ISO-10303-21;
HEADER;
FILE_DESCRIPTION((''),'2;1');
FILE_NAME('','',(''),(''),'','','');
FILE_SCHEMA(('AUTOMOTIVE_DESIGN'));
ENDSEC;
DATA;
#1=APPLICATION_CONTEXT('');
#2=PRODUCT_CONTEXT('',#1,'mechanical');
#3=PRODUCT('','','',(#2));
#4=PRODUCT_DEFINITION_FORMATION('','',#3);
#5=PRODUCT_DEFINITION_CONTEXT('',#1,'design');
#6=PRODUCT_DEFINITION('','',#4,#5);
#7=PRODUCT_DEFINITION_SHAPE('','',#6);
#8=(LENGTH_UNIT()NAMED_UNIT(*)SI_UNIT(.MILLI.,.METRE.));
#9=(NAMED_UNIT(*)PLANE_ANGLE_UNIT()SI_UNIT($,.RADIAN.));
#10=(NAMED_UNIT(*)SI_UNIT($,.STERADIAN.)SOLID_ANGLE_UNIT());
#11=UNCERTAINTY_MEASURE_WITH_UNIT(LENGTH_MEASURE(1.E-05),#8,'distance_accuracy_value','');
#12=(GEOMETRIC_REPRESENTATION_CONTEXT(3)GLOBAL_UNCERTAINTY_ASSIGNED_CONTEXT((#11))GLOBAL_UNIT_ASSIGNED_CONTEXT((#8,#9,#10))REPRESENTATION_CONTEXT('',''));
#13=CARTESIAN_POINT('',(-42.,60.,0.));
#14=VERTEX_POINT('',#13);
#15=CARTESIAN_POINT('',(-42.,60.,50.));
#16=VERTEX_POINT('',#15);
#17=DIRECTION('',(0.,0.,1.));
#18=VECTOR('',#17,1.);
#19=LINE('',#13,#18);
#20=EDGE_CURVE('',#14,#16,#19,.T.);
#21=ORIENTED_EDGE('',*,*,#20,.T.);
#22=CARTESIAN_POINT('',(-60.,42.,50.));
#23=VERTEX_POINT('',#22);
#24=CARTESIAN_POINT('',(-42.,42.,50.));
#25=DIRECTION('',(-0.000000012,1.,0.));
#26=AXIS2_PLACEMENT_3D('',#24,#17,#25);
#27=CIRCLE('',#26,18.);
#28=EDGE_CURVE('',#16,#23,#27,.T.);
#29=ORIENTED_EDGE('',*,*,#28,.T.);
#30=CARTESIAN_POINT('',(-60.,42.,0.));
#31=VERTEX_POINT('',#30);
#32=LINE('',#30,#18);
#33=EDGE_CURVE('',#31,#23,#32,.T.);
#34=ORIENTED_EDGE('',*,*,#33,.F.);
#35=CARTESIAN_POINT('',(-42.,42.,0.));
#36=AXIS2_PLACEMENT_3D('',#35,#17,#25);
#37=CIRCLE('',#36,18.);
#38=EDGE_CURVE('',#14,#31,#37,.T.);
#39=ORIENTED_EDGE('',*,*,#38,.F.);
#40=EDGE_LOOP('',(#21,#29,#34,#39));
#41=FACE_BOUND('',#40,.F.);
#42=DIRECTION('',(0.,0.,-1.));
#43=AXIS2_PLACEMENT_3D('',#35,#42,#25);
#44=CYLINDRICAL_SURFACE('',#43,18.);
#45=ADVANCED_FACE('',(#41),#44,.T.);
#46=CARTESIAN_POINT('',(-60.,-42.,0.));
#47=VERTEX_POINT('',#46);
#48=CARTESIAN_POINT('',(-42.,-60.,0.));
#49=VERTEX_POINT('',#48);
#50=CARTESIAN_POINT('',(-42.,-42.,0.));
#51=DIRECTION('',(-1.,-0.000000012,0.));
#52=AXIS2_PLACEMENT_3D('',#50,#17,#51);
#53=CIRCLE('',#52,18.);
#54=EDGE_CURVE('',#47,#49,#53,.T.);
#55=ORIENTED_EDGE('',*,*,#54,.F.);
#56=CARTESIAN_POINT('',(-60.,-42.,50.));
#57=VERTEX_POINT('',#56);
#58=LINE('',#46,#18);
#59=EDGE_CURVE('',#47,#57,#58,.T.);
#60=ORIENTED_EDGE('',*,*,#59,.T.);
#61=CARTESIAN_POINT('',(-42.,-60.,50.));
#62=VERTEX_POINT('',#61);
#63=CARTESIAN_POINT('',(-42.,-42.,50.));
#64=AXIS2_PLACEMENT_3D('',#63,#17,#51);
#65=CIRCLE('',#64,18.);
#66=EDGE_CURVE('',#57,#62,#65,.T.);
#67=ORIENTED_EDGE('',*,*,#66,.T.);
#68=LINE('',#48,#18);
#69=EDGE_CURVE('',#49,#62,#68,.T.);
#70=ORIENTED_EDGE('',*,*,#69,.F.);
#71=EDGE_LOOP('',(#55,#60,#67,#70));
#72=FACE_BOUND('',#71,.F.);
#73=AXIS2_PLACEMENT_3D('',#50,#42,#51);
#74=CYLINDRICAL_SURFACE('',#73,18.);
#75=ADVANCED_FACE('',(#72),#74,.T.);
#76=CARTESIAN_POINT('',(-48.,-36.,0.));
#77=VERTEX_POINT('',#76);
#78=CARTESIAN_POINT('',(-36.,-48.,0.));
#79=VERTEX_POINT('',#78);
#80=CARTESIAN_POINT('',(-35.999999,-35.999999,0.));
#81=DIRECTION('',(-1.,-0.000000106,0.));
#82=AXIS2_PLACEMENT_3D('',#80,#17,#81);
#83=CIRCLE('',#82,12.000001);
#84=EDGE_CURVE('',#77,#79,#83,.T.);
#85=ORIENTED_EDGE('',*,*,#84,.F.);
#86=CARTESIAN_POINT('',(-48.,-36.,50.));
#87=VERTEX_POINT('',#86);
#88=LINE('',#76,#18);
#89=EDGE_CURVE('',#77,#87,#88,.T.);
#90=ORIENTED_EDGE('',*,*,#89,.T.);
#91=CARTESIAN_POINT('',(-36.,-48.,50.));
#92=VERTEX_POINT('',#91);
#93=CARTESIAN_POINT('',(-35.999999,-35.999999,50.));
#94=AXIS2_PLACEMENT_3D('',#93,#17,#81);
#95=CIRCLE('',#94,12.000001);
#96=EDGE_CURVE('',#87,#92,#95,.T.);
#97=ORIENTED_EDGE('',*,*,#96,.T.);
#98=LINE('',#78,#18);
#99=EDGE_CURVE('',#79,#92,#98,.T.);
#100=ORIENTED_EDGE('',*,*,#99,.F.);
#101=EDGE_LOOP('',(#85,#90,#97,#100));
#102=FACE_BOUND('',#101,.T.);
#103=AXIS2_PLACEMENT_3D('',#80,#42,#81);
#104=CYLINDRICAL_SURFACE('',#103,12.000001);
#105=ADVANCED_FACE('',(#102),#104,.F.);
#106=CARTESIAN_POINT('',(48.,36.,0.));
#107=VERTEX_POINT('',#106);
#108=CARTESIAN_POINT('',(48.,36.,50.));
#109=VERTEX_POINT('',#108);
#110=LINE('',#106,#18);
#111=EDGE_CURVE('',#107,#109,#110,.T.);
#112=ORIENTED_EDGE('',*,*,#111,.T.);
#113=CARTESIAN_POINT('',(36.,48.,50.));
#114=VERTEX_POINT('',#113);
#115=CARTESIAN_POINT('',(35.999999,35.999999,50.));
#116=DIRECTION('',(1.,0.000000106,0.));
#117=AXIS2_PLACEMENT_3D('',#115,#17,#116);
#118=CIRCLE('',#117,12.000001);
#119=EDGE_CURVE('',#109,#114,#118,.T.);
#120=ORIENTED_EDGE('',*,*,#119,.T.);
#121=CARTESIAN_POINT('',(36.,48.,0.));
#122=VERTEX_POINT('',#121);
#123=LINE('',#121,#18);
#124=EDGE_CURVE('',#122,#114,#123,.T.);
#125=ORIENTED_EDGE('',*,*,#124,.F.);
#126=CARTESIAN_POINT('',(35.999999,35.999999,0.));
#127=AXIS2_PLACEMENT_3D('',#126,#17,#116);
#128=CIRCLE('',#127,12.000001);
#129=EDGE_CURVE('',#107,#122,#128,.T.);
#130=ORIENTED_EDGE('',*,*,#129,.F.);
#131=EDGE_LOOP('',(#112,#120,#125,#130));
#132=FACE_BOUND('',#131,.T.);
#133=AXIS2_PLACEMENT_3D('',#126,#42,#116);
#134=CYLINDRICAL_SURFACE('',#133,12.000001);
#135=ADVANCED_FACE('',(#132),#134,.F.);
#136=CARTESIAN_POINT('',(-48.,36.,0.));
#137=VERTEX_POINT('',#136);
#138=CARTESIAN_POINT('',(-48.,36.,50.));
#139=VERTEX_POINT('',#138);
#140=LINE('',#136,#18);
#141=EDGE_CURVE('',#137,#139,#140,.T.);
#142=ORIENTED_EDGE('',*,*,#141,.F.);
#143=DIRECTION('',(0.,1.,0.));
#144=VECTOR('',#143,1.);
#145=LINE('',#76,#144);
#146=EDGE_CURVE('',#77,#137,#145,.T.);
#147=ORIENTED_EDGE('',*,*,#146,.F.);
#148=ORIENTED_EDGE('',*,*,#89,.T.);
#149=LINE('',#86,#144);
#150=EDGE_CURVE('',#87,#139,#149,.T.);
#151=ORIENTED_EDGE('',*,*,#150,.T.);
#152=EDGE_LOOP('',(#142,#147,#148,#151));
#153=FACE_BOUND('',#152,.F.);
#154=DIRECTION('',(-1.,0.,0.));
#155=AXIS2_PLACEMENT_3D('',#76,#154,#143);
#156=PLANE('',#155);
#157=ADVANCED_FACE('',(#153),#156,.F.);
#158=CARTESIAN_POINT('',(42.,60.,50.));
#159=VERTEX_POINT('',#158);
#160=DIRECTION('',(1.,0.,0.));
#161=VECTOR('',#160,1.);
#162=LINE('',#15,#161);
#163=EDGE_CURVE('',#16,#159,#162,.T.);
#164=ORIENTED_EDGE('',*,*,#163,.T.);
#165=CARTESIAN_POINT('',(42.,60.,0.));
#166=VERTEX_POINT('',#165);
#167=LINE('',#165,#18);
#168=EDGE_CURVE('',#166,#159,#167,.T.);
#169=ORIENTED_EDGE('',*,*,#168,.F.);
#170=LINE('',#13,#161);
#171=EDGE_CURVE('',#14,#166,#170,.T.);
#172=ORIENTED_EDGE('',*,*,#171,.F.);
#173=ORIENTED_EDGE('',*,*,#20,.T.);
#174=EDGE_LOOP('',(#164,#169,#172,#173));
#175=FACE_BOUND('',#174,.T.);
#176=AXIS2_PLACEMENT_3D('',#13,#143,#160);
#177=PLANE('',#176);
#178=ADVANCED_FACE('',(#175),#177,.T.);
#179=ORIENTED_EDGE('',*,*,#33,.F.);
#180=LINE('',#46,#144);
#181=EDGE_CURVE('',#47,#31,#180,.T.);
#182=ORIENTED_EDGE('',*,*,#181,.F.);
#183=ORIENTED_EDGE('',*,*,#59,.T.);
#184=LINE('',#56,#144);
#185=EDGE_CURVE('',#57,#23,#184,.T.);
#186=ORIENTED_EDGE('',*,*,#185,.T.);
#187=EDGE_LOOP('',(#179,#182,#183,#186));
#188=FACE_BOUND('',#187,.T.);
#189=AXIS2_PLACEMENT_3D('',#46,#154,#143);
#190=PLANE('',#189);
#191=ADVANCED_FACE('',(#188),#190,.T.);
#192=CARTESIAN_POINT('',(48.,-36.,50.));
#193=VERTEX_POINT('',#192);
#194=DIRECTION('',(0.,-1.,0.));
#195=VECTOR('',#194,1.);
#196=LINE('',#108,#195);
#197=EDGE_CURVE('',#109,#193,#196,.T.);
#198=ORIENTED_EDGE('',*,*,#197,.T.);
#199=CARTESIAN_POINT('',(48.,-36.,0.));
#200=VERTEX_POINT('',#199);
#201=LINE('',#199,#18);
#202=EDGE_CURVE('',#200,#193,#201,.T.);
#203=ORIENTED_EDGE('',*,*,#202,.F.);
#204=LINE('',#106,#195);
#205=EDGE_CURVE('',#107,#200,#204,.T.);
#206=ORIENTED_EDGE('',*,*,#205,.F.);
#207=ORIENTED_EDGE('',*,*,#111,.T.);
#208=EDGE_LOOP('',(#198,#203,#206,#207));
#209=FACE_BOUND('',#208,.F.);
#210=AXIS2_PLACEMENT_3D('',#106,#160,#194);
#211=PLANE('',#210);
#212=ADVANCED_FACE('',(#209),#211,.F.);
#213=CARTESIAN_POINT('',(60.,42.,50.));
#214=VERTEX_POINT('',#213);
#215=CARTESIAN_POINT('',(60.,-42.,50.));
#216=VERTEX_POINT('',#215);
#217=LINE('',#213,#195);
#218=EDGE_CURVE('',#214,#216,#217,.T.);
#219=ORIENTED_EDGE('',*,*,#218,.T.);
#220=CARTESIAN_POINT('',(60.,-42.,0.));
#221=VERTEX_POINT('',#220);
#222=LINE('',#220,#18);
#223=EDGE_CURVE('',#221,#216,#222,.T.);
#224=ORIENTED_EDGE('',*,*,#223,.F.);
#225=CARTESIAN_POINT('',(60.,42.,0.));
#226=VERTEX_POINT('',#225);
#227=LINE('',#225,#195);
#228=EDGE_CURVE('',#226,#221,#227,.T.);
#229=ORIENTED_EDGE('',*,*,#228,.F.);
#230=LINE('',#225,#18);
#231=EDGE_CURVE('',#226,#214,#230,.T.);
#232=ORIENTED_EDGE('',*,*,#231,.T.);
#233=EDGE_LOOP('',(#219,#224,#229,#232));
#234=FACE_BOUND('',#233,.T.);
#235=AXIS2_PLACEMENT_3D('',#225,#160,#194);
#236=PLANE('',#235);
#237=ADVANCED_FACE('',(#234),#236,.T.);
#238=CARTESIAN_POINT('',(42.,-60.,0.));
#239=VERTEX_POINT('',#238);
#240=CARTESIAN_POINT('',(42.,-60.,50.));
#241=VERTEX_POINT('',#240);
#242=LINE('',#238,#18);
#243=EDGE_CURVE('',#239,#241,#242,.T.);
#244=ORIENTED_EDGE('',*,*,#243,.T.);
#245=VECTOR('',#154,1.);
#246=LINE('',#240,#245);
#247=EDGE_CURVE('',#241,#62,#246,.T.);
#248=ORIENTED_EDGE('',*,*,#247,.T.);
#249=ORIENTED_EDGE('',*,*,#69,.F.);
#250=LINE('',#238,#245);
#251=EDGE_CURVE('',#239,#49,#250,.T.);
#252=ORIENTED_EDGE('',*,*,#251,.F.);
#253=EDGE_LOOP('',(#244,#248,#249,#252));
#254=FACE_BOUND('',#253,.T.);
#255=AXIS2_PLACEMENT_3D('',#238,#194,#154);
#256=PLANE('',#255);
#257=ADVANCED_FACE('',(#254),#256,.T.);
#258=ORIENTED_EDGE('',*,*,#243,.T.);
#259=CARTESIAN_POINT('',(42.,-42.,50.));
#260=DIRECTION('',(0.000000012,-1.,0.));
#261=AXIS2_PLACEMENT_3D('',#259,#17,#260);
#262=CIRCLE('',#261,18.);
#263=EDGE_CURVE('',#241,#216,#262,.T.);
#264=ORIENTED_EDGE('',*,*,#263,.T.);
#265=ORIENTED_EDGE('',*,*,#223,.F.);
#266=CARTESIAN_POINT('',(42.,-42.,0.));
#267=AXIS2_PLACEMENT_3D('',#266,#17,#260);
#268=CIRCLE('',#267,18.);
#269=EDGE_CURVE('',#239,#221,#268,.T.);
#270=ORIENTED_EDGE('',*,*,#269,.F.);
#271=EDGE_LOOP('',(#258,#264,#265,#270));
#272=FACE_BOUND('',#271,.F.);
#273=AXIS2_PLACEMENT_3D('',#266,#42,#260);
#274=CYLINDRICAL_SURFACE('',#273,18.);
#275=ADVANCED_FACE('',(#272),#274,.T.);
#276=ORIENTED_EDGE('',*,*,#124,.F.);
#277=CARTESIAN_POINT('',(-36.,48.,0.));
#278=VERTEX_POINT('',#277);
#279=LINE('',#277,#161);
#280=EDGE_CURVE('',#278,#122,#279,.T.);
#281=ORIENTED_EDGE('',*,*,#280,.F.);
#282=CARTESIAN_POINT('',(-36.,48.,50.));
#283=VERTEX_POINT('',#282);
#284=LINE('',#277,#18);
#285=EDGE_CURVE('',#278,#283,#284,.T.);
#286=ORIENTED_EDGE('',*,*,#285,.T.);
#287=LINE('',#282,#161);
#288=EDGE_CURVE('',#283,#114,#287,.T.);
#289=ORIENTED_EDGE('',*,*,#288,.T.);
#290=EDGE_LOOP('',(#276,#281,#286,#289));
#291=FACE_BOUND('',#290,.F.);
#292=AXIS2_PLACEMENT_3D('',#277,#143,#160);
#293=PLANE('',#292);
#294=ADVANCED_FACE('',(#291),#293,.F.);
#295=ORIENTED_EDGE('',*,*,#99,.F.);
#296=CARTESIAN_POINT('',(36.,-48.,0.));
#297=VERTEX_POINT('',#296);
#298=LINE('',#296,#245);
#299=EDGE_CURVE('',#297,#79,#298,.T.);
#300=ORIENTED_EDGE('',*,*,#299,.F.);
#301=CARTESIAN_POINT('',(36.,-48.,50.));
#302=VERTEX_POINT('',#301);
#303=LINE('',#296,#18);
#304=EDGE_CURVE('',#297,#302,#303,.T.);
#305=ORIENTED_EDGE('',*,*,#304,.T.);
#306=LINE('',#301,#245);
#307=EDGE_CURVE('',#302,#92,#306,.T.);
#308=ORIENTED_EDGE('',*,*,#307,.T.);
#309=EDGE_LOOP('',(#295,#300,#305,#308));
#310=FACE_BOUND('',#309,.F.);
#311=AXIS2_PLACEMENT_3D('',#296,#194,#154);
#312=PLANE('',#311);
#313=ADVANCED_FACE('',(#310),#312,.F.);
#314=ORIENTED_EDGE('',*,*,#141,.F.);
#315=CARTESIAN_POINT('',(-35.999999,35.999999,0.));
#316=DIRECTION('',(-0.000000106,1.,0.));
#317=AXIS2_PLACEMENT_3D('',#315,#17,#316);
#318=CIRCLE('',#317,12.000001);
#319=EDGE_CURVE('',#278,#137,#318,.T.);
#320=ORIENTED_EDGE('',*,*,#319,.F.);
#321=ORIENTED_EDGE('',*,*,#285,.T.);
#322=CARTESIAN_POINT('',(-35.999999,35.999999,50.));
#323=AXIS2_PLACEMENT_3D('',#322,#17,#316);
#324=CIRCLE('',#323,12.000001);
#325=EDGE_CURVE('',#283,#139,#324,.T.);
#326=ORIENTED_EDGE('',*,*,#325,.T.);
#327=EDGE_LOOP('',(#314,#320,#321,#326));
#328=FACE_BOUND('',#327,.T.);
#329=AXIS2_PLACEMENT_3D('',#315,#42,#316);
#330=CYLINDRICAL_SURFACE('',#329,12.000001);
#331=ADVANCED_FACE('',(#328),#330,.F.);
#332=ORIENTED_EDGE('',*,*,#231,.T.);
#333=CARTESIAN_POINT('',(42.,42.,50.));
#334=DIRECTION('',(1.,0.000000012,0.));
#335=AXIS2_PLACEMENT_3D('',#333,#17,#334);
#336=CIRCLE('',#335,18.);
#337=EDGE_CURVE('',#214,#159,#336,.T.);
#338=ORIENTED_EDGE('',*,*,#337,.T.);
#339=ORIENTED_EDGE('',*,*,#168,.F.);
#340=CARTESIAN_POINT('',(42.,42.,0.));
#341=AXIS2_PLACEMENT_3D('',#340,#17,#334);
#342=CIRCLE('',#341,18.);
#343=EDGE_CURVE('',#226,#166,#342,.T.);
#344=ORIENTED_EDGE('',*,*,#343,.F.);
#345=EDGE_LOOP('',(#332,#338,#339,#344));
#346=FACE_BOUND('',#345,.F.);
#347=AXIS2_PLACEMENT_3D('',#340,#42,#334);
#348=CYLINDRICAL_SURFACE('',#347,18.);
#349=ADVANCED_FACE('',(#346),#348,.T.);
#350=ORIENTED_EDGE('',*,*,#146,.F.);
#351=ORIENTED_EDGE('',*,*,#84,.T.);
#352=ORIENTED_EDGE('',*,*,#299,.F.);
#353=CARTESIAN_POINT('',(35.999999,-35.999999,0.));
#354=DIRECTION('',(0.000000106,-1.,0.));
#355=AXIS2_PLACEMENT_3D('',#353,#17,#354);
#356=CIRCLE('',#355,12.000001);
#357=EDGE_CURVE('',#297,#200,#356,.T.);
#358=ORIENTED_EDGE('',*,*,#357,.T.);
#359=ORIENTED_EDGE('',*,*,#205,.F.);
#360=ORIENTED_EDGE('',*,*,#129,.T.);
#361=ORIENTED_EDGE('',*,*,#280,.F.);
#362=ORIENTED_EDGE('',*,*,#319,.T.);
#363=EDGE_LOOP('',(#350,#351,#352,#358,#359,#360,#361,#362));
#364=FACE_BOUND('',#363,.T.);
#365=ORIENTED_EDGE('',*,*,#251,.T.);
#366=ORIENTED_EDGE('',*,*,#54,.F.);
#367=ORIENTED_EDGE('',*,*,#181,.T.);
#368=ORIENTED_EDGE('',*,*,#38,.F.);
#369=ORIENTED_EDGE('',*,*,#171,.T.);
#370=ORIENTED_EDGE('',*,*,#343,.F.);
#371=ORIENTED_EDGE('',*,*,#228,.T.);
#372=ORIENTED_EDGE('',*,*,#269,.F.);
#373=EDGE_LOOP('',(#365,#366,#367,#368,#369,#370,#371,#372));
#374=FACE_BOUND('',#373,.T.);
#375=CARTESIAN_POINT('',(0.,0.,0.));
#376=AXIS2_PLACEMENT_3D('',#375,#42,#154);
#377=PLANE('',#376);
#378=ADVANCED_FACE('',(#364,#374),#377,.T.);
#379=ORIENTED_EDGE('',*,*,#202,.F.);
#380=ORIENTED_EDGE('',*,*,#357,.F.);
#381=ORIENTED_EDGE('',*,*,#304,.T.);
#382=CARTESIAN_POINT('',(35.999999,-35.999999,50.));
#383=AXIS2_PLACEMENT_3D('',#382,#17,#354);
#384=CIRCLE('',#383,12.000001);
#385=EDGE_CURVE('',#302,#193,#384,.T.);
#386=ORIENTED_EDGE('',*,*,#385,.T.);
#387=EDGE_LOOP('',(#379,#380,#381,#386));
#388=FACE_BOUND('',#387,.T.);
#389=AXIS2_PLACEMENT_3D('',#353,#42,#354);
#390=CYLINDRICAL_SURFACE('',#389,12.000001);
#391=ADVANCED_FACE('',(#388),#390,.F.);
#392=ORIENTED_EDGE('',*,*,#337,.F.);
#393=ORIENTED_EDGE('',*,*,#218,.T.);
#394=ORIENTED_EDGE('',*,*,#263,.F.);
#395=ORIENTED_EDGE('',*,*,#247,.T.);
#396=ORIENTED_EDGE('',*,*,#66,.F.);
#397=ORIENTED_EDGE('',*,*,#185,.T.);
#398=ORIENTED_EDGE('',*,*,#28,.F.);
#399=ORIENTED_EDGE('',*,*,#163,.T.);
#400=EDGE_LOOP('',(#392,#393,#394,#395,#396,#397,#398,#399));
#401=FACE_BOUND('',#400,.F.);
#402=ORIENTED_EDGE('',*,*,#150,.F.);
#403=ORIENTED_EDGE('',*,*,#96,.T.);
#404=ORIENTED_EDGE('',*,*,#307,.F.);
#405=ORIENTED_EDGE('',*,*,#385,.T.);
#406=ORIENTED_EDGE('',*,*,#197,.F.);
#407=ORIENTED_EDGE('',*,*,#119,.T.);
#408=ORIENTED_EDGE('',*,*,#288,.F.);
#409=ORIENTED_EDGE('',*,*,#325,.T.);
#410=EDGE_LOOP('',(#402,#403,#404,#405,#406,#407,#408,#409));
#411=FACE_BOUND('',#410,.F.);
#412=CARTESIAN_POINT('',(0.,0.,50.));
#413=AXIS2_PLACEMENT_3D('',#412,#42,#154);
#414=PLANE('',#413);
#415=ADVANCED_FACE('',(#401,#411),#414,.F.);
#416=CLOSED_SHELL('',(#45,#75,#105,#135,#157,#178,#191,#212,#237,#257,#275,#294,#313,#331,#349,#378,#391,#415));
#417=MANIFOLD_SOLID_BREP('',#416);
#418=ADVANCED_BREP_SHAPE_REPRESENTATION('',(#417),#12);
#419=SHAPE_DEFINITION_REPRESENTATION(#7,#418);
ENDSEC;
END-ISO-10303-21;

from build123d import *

# Parameters (mm, degrees)
EXTRUDE_DEPTH = 50


with BuildPart() as part:
    # Sketch → Extrude (new body)
    with BuildSketch(Plane.XY):
        with BuildLine():
            Line((-42, 60), (42, 60))
            ThreePointArc((60, 42), (54.727922, 54.727922), (42, 60))
            Line((60, 42), (60, -42))
            ThreePointArc((42, -60), (54.727922, -54.727922), (60, -42))
            Line((42, -60), (-42, -60))
            ThreePointArc((-60, -42), (-54.727922, -54.727922), (-42, -60))
            Line((-60, -42), (-60, 42))
            ThreePointArc((-42, 60), (-54.727922, 54.727922), (-60, 42))
        make_face()
        with BuildLine():
            Line((-36, 48), (36, 48))
            ThreePointArc((48, 36), (44.485281, 44.485281), (36, 48))
            Line((48, 36), (48, -36))
            ThreePointArc((36, -48), (44.485281, -44.485281), (48, -36))
            Line((36, -48), (-36, -48))
            ThreePointArc((-48, -36), (-44.485281, -44.485281), (-36, -48))
            Line((-48, -36), (-48, 36))
            ThreePointArc((-36, 48), (-44.485281, 44.485281), (-48, 36))
        make_face(mode=Mode.SUBTRACT)
    extrude(amount=EXTRUDE_DEPTH)


solid = part.part
